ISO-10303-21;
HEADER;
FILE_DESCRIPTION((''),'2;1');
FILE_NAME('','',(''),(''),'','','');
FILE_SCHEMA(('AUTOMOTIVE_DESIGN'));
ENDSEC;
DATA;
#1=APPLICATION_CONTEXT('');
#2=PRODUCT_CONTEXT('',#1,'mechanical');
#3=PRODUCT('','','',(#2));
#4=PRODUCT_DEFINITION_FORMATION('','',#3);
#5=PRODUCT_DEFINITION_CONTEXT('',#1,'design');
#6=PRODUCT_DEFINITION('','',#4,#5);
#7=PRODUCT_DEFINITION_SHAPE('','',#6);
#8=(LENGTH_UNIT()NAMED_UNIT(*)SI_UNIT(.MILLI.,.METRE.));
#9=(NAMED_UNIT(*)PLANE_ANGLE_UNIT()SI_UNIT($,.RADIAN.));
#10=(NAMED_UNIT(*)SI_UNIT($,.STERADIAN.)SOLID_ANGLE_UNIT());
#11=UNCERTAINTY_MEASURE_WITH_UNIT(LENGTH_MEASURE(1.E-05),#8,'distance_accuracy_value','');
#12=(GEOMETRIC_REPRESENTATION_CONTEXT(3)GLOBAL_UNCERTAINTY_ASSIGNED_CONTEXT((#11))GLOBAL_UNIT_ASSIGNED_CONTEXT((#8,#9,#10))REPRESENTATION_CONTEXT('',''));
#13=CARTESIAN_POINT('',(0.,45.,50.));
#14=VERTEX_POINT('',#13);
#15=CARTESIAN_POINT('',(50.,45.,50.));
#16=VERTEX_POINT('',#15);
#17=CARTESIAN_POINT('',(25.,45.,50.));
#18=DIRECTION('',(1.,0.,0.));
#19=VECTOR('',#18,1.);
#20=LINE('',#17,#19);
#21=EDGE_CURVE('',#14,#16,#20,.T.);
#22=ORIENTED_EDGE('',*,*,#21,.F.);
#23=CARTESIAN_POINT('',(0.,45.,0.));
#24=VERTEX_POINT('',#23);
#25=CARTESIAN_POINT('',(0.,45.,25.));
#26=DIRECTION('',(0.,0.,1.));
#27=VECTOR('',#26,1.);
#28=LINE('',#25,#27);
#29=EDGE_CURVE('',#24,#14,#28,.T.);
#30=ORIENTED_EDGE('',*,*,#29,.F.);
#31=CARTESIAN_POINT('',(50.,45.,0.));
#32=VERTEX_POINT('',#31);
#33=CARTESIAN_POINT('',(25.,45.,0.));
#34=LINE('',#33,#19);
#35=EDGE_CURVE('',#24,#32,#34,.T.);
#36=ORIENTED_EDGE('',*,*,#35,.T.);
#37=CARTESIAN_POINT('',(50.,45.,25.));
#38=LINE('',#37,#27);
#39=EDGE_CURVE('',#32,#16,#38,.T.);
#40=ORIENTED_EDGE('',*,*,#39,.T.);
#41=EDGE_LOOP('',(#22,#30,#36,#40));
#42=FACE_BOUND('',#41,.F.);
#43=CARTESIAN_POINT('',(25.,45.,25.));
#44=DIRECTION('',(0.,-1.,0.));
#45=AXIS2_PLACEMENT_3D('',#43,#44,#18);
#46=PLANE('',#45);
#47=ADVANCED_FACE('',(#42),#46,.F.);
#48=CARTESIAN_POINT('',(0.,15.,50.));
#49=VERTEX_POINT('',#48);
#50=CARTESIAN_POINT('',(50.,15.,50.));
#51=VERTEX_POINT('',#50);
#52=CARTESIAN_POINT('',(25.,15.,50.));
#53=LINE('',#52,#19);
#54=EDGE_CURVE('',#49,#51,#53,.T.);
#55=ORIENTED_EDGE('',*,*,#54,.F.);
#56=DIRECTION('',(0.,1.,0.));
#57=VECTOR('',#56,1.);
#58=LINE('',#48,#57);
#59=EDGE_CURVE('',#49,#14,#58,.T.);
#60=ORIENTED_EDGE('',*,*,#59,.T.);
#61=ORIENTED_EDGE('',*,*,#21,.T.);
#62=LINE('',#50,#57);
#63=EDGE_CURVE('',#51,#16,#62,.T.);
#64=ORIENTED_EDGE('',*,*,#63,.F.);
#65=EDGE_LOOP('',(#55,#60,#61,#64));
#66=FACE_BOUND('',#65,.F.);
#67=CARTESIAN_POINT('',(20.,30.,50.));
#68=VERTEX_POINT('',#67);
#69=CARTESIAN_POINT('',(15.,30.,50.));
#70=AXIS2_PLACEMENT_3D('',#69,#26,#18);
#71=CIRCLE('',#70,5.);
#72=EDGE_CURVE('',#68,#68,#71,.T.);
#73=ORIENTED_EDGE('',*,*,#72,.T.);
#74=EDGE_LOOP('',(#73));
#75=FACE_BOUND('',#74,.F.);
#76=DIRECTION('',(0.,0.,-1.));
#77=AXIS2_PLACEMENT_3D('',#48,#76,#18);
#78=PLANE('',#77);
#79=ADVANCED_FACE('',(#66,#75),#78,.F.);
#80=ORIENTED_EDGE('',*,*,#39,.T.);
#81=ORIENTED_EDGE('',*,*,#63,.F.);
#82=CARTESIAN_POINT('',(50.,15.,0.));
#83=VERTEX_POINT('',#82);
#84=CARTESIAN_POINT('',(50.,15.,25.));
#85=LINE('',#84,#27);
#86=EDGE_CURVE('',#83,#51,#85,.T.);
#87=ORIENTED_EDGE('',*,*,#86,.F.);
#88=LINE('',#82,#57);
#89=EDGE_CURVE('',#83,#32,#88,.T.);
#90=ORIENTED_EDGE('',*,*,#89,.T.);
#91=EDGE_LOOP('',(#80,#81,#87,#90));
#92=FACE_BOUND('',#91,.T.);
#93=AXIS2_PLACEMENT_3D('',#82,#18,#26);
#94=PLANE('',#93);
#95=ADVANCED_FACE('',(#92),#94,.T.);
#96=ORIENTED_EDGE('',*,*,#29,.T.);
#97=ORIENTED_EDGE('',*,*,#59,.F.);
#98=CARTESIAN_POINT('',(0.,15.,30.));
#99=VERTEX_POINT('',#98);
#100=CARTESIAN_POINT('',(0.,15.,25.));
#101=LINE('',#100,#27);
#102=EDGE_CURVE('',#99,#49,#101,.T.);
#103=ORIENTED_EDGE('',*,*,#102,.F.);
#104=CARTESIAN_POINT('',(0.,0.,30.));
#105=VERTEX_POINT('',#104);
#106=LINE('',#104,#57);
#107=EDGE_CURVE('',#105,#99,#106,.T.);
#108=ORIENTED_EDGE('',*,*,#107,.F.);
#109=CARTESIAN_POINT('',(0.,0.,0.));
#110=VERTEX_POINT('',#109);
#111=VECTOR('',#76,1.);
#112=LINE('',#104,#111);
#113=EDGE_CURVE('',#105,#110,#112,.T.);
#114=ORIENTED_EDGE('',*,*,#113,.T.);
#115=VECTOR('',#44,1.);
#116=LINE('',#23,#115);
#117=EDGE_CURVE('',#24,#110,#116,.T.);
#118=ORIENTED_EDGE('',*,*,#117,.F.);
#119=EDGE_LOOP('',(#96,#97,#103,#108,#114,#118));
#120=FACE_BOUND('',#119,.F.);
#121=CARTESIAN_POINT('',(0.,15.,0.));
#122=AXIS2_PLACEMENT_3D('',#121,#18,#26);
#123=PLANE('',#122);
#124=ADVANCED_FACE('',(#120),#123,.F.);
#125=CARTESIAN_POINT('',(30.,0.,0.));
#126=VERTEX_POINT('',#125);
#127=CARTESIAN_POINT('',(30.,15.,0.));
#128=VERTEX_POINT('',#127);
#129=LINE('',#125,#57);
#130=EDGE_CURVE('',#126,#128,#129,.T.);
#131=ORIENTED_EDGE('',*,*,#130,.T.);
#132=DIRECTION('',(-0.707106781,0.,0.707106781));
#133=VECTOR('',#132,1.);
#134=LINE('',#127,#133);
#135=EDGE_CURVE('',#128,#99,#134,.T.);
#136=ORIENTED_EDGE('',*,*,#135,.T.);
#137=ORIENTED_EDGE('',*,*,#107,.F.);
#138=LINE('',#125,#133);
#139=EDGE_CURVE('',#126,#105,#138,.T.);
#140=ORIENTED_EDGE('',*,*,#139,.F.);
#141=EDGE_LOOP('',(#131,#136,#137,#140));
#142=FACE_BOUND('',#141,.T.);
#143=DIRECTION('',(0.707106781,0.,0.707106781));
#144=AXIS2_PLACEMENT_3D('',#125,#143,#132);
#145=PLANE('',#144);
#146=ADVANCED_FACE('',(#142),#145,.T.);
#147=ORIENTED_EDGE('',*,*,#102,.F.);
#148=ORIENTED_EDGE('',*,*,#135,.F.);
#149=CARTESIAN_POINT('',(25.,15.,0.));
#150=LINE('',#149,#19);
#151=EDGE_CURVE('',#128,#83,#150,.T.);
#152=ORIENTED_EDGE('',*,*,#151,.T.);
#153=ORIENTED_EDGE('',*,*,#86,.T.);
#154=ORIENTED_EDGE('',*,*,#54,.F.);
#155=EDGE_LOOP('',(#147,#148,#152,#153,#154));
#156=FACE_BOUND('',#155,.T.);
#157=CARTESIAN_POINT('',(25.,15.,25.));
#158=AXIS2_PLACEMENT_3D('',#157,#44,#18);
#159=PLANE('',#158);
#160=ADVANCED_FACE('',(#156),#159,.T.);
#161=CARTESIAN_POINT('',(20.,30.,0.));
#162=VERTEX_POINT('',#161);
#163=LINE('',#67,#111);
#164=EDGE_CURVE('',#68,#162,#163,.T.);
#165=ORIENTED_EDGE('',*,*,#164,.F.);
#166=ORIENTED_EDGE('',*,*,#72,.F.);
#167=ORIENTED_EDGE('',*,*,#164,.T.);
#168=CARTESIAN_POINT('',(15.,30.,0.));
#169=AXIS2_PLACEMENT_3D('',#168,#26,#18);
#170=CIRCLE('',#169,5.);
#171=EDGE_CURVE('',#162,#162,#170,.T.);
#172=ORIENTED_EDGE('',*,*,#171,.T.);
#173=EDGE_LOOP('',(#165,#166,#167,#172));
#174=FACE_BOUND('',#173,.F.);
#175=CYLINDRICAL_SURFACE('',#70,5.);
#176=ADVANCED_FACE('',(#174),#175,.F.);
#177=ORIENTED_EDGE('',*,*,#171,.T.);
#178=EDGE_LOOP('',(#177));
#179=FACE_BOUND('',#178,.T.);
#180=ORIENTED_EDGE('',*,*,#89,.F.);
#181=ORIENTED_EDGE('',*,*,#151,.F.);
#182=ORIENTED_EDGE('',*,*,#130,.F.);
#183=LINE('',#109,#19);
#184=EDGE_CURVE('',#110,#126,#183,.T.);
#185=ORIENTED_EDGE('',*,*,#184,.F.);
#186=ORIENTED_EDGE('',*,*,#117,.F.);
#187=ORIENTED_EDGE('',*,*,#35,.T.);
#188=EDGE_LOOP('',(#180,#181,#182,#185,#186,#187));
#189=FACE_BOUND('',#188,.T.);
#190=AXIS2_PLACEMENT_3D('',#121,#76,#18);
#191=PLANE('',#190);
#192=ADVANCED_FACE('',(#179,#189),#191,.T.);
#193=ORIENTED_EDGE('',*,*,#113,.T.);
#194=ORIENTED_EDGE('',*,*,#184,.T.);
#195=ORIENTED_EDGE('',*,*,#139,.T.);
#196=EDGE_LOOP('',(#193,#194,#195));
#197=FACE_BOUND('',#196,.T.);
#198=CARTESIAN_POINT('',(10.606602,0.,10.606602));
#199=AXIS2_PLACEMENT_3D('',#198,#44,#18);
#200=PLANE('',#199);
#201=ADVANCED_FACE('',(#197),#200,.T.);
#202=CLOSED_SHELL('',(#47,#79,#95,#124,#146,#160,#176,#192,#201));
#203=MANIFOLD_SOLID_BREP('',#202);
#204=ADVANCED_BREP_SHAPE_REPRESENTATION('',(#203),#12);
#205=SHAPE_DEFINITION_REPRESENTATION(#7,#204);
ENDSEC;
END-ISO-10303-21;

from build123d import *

# Parameters (mm, degrees)
F1_DEPTH = 15
F3_W     = 50
F3_H     = 50
F4_DEPTH = 30
F5_R     = 5
F6_DEPTH = 50


with BuildPart() as f1:
    # F0 (on Front) → F1 (new body)
    with BuildSketch(Plane.XZ):
        Polygon((0, 30), (0, 0), (30, 0), align=None)
    extrude(amount=-F1_DEPTH)

    # F3 (on offset) → F4 (join)
    with BuildSketch(Plane.XZ.offset(-15)):
        with Locations((25, 25)):
            Rectangle(F3_W, F3_H)
    extrude(amount=-F4_DEPTH)

    # F5 (on face) → F6 (cut, through all)
    with BuildSketch(Plane.XY.offset(50)):
        with Locations((15, 30)):
            Circle(F5_R)
    extrude(amount=-F6_DEPTH, mode=Mode.SUBTRACT)


solid = f1.part
